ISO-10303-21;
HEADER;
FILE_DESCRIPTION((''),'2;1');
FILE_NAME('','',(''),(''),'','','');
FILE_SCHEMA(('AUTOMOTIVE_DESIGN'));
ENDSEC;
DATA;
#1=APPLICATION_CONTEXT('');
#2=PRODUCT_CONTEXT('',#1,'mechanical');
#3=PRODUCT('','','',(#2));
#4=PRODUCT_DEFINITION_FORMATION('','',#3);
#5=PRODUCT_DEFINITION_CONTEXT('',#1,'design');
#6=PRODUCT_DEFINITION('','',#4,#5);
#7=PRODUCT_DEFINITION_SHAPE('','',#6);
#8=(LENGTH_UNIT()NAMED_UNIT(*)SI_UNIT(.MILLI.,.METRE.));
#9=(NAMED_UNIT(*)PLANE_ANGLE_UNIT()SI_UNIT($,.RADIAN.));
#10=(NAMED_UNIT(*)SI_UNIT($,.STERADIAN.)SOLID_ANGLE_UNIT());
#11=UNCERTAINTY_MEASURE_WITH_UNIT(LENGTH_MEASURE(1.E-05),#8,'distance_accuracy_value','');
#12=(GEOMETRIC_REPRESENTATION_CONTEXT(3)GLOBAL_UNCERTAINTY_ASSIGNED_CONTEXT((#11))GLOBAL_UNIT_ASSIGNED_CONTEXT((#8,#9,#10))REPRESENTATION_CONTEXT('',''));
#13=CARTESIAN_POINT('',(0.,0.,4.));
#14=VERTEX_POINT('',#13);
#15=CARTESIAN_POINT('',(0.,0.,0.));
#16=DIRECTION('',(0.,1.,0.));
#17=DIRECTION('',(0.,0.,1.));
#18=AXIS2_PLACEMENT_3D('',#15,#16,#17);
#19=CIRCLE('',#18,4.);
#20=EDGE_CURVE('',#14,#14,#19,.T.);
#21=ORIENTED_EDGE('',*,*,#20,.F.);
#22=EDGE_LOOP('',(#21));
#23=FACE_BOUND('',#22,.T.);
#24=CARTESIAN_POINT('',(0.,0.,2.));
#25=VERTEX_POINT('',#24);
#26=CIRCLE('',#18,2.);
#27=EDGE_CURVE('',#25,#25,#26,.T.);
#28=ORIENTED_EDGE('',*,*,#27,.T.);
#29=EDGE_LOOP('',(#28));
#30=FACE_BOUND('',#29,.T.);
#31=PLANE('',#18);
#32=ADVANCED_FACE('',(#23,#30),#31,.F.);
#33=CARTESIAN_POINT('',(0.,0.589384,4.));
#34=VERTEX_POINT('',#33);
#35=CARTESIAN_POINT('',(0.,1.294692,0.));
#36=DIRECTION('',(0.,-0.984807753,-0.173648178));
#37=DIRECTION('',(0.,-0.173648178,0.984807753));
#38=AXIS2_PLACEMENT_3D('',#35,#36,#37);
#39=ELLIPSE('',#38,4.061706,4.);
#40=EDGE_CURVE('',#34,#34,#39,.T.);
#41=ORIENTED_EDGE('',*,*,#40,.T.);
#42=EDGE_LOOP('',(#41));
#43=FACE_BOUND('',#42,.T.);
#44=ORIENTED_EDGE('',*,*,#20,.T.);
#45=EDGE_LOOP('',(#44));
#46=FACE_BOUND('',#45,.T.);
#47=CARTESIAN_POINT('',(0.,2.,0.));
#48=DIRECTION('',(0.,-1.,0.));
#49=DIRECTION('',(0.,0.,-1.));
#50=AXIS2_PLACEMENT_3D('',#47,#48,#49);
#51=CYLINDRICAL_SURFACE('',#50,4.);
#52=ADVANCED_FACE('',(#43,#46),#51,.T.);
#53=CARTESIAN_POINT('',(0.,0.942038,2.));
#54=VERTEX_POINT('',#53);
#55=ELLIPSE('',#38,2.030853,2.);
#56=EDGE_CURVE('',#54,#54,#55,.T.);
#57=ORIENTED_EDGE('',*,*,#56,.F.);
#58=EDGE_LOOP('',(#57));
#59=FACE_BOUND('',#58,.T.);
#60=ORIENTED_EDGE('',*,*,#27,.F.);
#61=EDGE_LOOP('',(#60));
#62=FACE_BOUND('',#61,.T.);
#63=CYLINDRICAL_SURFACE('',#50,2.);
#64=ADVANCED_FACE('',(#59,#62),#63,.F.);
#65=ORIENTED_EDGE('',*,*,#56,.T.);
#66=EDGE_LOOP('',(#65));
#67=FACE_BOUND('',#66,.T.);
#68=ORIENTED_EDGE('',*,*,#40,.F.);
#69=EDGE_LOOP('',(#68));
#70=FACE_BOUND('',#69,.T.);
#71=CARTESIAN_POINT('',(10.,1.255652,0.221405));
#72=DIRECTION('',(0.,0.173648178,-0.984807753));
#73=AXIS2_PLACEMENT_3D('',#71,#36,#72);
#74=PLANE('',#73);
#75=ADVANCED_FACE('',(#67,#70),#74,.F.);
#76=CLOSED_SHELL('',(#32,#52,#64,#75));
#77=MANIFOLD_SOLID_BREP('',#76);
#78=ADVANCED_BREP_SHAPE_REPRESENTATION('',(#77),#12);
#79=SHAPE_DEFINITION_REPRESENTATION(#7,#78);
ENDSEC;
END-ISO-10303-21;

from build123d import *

# Parameters (mm, degrees)
SKETCH1_R               = 4
SKETCH1_R_2             = 2
BOSS_EXTRUDE1_DEPTH     = 2
CUT_EXTRUDE1_DEPTH      = 10
CUT_EXTRUDE1_DEPTH_BACK = 10


with BuildPart() as part:
    # Sketch1 → Boss-Extrude1 (new body)
    with BuildSketch(Plane(origin=(0, 0, 0), x_dir=(1, 0, 0), z_dir=(0, 1, 0))):
        with Locations(Location((0, 0, 0), (0, 0, 270))):
            Circle(SKETCH1_R)
        with Locations(Location((0, 0, 0), (0, 0, 270))):
            Circle(SKETCH1_R_2, mode=Mode.SUBTRACT)
    extrude(amount=BOSS_EXTRUDE1_DEPTH)

    # Sketch2 → Cut-Extrude1 (cut, two sides: drawn at the far end of the back side and taken through both)
    with BuildSketch(Plane(origin=(0, 0, 0), x_dir=(0, 0, -1), z_dir=(1, 0, 0)).offset(-CUT_EXTRUDE1_DEPTH_BACK)):
        Polygon((-4, 2), (4, 2), (-4, 0.589384154), align=None)
    extrude(amount=CUT_EXTRUDE1_DEPTH + CUT_EXTRUDE1_DEPTH_BACK, mode=Mode.SUBTRACT)


solid = part.part
